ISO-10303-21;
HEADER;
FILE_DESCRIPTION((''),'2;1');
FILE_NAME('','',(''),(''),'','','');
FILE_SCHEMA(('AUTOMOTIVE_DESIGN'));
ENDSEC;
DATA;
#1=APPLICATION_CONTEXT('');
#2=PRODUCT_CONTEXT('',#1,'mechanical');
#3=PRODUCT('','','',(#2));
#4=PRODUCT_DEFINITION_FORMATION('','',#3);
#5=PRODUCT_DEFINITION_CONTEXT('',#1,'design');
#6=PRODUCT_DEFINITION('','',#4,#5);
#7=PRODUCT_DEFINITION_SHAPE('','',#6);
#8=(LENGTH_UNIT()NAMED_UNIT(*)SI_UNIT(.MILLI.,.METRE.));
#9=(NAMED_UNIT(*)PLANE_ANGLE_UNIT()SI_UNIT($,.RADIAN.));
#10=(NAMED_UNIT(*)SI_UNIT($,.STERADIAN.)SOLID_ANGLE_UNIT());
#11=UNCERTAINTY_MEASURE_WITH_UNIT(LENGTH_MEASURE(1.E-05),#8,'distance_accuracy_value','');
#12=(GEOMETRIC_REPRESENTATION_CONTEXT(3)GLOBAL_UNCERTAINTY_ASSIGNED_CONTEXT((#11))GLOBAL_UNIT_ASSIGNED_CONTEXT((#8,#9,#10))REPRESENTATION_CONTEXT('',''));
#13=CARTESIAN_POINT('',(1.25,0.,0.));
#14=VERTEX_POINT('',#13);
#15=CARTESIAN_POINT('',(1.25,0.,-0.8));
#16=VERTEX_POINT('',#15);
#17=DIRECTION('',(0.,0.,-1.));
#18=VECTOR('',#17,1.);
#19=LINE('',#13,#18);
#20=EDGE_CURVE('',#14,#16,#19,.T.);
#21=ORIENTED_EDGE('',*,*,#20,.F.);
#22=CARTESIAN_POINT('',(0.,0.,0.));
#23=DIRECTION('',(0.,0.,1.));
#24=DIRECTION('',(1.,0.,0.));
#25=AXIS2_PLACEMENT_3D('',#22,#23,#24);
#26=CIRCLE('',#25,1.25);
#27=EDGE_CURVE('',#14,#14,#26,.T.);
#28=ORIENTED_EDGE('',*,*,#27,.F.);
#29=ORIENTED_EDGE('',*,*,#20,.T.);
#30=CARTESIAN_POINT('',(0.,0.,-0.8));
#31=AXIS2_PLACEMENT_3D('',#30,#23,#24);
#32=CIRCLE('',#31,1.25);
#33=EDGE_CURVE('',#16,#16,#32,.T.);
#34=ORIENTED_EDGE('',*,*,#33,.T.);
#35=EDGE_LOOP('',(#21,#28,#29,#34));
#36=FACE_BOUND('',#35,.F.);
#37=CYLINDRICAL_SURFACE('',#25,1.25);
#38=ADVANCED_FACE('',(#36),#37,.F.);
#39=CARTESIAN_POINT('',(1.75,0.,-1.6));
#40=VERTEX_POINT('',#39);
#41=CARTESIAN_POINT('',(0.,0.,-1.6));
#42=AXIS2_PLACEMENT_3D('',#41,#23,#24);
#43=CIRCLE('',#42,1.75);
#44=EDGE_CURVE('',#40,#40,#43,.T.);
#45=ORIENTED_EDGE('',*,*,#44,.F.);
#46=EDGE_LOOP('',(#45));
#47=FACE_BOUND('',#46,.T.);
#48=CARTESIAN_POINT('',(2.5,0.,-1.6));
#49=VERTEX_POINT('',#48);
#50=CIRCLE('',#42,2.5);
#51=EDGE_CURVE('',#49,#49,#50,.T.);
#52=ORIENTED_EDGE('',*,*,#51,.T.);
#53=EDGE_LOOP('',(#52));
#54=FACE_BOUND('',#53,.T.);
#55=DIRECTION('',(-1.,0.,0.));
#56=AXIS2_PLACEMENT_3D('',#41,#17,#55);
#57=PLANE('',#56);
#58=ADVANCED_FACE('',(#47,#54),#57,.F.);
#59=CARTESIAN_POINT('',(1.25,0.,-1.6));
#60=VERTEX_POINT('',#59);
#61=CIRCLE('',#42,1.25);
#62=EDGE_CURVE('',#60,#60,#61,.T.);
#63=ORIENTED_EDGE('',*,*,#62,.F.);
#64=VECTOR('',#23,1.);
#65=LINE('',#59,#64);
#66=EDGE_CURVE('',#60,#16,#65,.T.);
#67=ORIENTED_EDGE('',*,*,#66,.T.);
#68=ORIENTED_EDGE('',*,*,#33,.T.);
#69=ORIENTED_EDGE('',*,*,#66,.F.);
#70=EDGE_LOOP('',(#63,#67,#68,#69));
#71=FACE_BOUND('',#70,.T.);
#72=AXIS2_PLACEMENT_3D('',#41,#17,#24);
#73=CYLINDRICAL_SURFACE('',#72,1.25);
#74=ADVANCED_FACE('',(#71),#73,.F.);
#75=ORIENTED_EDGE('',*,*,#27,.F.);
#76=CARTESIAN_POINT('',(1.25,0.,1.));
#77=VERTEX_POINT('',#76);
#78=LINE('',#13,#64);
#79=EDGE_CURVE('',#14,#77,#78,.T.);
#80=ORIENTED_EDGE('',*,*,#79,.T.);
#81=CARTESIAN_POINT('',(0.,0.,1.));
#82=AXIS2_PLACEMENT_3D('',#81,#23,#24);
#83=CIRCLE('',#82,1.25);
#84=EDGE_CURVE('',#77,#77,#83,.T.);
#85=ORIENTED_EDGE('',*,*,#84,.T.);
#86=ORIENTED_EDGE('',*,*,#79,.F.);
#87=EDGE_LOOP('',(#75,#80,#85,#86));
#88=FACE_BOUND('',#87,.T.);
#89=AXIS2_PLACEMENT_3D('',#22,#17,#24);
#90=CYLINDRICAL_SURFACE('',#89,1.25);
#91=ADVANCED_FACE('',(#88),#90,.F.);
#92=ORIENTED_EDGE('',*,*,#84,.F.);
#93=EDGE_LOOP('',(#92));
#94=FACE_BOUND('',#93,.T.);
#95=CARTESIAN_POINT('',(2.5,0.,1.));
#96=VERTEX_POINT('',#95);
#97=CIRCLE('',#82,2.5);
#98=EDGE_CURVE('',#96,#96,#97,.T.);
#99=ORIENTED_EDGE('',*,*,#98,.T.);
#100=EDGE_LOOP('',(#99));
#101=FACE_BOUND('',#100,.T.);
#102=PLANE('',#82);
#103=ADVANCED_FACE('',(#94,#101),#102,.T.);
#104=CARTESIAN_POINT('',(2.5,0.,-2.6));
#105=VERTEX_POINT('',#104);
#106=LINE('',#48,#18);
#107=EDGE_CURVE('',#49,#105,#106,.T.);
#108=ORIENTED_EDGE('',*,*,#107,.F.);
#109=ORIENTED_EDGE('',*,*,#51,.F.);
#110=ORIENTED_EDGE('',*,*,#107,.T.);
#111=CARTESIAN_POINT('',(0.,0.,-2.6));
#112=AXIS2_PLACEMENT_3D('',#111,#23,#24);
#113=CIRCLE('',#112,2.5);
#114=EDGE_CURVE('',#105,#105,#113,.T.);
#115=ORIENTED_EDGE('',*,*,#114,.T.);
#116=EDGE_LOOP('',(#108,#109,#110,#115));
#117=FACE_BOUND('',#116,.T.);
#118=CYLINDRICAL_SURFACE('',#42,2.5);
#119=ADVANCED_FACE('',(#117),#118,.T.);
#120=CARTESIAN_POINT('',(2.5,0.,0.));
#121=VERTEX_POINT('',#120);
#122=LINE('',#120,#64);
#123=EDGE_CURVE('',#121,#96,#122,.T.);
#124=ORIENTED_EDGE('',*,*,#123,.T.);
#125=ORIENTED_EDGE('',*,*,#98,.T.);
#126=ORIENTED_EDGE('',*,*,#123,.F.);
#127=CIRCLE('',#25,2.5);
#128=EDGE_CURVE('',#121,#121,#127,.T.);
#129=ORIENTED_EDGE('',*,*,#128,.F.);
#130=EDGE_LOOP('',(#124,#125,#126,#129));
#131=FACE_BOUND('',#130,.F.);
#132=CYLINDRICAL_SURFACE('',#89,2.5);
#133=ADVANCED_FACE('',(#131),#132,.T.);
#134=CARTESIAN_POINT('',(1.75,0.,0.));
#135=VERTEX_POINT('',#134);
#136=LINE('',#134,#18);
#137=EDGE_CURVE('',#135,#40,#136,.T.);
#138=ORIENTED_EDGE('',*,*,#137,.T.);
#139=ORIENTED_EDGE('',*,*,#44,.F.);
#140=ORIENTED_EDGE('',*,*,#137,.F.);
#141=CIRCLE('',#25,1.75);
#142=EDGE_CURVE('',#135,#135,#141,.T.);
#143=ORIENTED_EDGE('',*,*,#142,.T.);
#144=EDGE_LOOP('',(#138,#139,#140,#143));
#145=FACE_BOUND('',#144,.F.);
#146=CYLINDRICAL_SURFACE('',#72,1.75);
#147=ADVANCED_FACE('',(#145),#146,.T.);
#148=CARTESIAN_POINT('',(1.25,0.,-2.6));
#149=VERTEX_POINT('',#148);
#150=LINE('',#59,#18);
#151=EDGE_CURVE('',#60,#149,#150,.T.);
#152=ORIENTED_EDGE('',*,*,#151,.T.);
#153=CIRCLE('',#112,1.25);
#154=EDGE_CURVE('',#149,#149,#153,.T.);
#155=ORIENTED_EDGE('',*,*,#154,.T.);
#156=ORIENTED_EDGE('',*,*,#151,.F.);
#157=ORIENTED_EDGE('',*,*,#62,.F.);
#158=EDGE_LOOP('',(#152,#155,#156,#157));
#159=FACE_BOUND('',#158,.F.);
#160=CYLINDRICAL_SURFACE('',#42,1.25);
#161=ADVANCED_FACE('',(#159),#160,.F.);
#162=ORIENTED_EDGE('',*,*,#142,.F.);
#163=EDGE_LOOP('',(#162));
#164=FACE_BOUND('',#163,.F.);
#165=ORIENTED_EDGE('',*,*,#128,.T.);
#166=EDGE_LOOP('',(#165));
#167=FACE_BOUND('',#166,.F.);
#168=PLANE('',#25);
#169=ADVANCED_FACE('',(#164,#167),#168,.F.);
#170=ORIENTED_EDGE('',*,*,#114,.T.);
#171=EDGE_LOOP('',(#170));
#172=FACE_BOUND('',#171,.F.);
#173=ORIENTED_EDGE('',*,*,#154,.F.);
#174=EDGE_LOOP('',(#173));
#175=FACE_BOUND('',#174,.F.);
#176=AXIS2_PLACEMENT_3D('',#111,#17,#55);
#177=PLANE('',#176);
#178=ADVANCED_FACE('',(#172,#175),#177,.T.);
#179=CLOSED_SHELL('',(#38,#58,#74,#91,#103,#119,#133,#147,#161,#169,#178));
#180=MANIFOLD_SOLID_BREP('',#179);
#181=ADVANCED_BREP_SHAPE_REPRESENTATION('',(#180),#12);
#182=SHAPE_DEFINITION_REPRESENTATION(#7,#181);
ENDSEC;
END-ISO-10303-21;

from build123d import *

# Parameters (mm, degrees)
F0_R     = 2.5
F0_R_2   = 1.75
F0_R_3   = 1.25
F1_DEPTH = 1
F2_DEPTH = 0.8


with BuildPart() as f1:
    # F0 (on Top) → F1 (new body)
    with BuildSketch(Plane.XY):
        Circle(F0_R)
        Circle(F0_R_2, mode=Mode.SUBTRACT)
        Circle(F0_R_2)
        Circle(F0_R_3, mode=Mode.SUBTRACT)
    extrude(amount=F1_DEPTH)

    # F0 (on Top) → F2 (join)
    with BuildSketch(Plane.XY):
        Circle(F0_R_2)
        Circle(F0_R_3, mode=Mode.SUBTRACT)
    extrude(amount=-F2_DEPTH)

    # F3: F1 across face


with BuildPart() as f1_1:
    add(f1.part)
    add(f1.part.mirror(Plane(origin=(0, 0, -0.8), x_dir=(1, 0, 0), z_dir=(0, 0, -1))))


solid = f1_1.part
